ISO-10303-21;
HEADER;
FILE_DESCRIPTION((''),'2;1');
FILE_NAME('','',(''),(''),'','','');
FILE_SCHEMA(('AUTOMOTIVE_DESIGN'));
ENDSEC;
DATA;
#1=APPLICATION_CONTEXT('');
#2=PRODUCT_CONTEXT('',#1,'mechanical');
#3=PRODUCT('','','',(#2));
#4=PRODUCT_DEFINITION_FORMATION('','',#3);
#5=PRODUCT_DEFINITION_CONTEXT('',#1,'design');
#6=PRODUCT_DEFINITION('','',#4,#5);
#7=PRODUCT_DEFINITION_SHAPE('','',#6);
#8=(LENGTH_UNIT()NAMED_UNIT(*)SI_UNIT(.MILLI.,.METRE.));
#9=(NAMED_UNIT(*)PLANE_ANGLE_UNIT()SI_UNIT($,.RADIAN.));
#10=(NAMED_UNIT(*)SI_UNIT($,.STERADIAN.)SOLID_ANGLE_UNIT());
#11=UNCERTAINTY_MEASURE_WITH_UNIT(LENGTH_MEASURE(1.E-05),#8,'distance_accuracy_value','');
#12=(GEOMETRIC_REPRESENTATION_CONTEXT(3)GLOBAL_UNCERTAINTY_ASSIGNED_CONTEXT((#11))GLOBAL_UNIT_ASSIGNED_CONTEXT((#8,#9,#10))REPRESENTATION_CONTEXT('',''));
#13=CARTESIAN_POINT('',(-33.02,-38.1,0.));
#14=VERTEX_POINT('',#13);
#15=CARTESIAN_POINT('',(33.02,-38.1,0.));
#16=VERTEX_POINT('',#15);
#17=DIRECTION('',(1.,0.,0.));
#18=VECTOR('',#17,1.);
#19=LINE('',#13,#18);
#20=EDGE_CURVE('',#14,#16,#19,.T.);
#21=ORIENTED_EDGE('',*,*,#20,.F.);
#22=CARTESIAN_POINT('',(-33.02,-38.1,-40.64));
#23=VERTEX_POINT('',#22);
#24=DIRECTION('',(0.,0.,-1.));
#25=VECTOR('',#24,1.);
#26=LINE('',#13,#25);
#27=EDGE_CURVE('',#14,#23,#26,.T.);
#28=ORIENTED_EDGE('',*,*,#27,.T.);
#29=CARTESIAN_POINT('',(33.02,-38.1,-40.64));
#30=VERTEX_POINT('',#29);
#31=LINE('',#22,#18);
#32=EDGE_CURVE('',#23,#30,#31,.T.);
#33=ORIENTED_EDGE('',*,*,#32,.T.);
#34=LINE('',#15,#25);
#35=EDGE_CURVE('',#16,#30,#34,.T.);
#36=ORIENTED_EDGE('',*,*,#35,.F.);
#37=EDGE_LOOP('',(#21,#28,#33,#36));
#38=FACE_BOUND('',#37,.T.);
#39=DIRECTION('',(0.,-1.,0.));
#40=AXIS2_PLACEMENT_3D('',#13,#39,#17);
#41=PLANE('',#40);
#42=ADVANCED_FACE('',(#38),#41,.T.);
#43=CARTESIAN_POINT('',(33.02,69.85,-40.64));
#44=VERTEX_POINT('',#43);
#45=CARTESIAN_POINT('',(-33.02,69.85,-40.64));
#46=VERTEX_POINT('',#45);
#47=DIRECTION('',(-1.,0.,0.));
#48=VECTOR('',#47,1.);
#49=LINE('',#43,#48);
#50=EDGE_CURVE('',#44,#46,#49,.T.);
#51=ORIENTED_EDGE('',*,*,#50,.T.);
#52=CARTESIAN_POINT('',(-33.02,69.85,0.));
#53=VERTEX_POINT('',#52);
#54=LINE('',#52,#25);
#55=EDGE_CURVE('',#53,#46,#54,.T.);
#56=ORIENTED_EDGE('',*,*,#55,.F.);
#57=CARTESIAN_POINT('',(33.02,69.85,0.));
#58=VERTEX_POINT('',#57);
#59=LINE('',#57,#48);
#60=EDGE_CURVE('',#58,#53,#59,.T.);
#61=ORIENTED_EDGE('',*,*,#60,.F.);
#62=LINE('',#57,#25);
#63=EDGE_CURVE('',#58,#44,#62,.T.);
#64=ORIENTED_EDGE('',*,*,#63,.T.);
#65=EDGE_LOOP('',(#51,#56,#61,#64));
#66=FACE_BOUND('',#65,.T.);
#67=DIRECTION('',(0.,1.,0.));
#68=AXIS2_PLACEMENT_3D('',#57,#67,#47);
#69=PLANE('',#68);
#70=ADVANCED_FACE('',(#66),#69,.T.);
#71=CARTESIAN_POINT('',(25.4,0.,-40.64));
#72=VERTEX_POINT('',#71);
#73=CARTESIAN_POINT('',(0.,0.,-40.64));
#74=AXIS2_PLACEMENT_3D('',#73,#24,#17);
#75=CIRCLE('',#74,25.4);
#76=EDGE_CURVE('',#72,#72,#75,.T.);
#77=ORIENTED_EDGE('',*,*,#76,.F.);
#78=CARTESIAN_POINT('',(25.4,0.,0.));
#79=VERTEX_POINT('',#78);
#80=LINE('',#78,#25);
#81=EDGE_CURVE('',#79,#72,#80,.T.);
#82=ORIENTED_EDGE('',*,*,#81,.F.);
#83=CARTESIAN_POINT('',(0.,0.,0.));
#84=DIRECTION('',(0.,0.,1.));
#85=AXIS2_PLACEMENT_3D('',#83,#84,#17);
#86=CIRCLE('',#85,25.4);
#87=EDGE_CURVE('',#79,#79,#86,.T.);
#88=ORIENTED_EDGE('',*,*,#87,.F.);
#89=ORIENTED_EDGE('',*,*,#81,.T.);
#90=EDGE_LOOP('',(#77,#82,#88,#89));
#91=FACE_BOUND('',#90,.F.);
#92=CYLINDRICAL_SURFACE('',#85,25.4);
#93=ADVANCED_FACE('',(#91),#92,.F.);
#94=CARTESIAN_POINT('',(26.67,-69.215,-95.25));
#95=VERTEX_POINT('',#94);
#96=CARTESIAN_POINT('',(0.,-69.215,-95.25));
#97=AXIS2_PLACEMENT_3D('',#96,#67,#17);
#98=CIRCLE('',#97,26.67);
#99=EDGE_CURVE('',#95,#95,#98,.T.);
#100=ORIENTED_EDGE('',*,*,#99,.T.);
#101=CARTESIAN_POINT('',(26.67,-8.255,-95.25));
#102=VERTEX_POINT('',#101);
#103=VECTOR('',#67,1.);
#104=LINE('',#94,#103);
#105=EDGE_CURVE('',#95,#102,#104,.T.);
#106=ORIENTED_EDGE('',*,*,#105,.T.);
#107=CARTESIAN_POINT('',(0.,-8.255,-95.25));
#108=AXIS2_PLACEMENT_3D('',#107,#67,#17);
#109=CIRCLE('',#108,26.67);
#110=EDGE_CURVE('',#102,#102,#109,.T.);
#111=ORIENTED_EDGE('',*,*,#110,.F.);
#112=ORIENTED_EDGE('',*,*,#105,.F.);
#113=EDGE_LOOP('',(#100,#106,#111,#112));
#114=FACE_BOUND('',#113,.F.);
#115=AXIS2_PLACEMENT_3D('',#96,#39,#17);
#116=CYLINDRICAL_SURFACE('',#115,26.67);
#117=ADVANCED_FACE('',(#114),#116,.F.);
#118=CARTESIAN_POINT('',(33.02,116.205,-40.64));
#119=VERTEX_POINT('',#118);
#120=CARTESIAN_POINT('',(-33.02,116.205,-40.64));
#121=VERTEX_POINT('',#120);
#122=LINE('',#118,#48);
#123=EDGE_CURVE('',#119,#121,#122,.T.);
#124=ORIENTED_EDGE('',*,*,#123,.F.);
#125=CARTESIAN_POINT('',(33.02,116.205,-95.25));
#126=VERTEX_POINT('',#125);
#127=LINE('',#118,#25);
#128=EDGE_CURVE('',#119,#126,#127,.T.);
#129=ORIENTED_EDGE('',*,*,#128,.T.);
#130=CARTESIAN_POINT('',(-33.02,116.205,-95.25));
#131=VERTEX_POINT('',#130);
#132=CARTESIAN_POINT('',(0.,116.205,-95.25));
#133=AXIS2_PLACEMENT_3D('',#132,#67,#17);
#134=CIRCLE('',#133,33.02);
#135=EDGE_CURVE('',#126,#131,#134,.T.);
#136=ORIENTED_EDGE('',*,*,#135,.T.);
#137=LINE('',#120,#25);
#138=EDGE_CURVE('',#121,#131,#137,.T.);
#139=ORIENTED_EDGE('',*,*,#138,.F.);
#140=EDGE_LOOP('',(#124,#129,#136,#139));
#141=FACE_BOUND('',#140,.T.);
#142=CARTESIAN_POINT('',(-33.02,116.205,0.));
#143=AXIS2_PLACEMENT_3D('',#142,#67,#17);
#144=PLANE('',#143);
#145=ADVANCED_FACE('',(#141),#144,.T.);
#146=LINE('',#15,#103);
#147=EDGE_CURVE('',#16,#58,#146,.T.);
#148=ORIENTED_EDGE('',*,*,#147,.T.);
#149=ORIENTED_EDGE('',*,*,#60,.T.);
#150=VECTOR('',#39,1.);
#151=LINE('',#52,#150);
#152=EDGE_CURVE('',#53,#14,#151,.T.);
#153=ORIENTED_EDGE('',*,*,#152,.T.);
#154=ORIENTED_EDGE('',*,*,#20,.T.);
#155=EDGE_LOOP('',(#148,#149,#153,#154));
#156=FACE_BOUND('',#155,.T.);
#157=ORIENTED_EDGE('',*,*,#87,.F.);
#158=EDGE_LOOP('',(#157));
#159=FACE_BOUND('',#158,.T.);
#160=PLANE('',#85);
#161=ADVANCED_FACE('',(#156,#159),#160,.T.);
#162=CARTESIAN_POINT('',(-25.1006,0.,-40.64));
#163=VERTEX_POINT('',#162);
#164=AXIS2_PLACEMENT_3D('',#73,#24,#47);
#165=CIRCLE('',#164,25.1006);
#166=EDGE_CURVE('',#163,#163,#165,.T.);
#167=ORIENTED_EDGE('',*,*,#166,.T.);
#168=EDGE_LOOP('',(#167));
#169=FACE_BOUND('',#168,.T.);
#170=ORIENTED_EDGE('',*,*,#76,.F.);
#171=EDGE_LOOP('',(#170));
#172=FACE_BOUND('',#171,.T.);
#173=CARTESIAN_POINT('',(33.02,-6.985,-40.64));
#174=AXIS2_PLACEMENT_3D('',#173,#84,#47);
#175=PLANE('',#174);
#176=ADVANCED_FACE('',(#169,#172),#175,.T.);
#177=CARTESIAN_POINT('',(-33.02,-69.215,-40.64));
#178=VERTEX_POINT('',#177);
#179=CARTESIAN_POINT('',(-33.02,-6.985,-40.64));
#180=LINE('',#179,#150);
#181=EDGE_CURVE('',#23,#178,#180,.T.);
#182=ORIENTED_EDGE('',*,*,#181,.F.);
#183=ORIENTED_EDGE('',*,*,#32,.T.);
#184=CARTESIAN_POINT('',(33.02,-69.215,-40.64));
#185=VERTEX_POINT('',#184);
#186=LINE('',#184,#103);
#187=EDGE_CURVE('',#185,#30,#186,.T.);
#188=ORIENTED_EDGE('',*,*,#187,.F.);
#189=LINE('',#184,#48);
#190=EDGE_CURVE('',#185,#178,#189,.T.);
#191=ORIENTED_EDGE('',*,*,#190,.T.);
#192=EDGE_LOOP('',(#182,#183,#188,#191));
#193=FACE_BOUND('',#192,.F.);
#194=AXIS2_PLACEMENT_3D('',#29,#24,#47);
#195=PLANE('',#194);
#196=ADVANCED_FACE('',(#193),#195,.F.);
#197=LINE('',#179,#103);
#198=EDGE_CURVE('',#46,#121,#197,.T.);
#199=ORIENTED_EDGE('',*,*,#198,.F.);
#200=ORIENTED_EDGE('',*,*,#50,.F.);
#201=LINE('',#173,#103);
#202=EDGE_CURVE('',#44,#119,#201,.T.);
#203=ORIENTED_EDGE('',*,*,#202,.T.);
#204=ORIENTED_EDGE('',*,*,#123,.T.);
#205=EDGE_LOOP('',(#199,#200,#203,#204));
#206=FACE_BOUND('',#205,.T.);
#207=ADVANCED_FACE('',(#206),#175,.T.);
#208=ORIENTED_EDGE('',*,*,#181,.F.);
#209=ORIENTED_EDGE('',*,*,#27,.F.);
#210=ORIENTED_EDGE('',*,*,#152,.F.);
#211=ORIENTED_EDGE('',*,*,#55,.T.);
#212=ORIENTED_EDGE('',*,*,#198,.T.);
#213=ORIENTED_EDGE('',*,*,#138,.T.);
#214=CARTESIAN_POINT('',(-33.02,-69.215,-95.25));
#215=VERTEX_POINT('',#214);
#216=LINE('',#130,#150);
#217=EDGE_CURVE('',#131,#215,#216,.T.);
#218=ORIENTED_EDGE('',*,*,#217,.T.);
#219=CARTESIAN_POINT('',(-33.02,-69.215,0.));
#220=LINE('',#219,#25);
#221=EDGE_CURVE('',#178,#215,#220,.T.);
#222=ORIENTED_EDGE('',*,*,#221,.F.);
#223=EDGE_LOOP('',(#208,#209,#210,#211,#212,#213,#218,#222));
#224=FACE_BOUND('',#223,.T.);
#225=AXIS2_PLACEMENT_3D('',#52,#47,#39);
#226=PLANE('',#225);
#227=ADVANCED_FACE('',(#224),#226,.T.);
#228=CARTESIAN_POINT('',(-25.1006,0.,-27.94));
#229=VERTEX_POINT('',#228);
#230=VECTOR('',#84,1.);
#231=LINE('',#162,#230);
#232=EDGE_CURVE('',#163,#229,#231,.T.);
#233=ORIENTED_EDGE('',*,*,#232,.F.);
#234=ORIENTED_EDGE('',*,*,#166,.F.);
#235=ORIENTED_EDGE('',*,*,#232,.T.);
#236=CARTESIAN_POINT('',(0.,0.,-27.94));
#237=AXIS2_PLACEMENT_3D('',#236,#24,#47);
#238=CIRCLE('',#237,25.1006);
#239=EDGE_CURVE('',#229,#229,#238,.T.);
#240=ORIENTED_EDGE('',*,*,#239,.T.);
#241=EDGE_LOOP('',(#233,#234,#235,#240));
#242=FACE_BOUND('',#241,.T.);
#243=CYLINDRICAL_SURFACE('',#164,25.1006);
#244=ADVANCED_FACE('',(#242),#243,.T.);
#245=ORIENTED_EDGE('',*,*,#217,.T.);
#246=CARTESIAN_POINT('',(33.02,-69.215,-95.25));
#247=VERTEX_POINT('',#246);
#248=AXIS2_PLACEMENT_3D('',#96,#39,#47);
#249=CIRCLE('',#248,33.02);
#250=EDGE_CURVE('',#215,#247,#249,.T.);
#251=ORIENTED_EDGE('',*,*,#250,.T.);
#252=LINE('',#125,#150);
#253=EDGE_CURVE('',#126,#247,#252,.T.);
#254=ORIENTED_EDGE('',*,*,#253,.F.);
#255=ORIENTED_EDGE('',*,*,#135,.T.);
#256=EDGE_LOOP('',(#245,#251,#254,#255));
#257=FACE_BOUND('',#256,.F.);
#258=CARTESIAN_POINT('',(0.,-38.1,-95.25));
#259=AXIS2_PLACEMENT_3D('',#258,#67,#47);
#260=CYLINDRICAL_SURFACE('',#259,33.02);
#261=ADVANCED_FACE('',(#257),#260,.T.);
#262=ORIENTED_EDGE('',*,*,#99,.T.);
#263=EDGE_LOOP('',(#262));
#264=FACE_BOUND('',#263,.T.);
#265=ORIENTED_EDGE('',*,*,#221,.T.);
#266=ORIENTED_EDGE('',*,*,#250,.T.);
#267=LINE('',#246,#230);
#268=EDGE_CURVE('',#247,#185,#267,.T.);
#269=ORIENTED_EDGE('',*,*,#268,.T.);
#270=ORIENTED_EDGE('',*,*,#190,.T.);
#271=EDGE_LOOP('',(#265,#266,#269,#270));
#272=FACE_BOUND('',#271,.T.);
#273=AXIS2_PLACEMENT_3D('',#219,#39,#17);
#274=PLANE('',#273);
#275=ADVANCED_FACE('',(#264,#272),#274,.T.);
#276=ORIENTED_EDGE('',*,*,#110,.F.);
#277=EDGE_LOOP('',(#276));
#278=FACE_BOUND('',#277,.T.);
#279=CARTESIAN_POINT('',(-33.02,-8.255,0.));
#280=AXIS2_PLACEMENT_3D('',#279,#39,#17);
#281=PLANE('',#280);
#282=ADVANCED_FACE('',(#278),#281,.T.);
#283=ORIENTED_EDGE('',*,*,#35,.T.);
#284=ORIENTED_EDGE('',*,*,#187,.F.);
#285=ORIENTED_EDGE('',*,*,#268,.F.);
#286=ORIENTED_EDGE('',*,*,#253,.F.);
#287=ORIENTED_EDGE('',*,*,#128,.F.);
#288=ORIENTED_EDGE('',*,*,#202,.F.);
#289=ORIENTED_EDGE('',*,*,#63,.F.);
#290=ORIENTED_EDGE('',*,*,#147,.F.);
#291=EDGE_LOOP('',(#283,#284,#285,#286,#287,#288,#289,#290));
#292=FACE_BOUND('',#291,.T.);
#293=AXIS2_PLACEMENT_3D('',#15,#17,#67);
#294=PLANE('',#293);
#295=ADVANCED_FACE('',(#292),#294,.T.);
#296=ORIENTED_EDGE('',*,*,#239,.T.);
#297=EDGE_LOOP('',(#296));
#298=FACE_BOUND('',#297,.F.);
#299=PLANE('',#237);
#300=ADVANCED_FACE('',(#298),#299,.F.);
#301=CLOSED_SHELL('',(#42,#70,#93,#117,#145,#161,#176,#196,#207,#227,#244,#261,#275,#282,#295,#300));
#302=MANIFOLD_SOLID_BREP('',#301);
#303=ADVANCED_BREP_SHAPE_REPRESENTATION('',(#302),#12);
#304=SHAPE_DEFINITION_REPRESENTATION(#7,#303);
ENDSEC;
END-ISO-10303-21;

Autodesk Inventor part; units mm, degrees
ref_plane "YZ Plane" through (0, 0, 0) normal (1, 0, 0) x (0, 1, 0)
ref_plane "XZ Plane" through (0, 0, 0) normal (0, 1, 0) x (-1, 0, 0)
ref_plane "XY Plane" through (0, 0, 0) normal (0, 0, 1) x (1, 0, 0)
sketch "Sketch1" plane through (0, 0, 0) normal (0, 0, 1) x (1, 0, 0)
  circle A0 centre (0, 0) radius 25.4
  line L0 (-33.02, -38.1) -> (33.02, -38.1)
  line L1 (33.02, -38.1) -> (33.02, 69.85)
  line L2 (33.02, 69.85) -> (-33.02, 69.85)
  line L3 (-33.02, 69.85) -> (-33.02, -38.1)
  dimension "d0" = 50.8
  dimension "d1" = 66.04
  dimension "d2" = 107.95
  dimension "d3" = 33.02
  dimension "d4" = 38.1
extrude "Extrusion1" add sketch "Sketch1" against normal blind 40.64
sketch "Sketch2" plane through (0, 0, -40.64) normal (0, 0, -1) x (-1, 0, 0)
  circle A0 centre (0, 0) radius 25.1006
extrude "Extrusion2" add sketch "Sketch2" against normal blind 12.7
sketch "Sketch3" plane through (-33.02, -38.1, 0) normal (0, -1, 0) x (1, 0, 0)
  line L0 (0, 0) -> (66.04, 0) projected
  line L1 (66.04, 0) -> (0, 0)
  line L2 (0, 0) -> (0, -95.25)
  line L3 (0, -95.25) -> (66.04, -95.25)
  line L4 (66.04, -95.25) -> (66.04, 0)
  line L5 (66.04, -40.64) -> (0, -40.64)
  arc A0 (0, -95.25) -> (66.04, -95.25) centre (33.02, -95.25) ccw
  line L6 (0, -40.64) -> (66.04, -40.64) projected
  line L7 (0, -40.64) -> (66.04, -40.64)
  line L8 (66.04, -40.64) -> (66.04, -95.25)
  line L9 (66.04, -95.25) -> (0, -95.25)
  line L10 (0, -95.25) -> (0, -40.64)
  point P0 (33.02, 0)
  dimension "d9" = 54.61
extrude "Extrusion3" add sketch "Sketch3" along normal mid plane 62.23 contours L5 L4 L3 L2 | L3 A0
sketch "Sketch4" plane through (-33.02, -38.1, 0) normal (0, -1, 0) x (1, 0, 0)
  point P0 (33.02, 0)
sketch "Sketch5" plane through (-33.02, -6.985, 0) normal (0, 1, 0) x (1, 0, 0)
  arc A0 (66.04, 95.25) -> (0, 95.25) centre (33.02, 95.25) ccw projected
  line L0 (66.04, 40.64) -> (66.04, 95.25) projected
  line L1 (0, 95.25) -> (66.04, 95.25)
  line L2 (66.04, 95.25) -> (66.04, 40.64)
  line L3 (66.04, 40.64) -> (0, 40.64)
  line L4 (0, 40.64) -> (0, 95.25)
  arc A1 (66.04, 95.25) -> (0, 95.25) centre (33.02, 95.25) ccw
  point P0 (33.02, 0)
extrude "Extrusion4" add sketch "Sketch5" along normal blind 123.19
sketch "Sketch6" plane through (-33.02, -69.215, 0) normal (0, -1, 0) x (1, 0, 0)
  arc A0 (0, -95.25) -> (66.04, -95.25) centre (33.02, -95.25) ccw projected
  line L0 (0, -95.25) -> (33.02, -95.25)
  circle A1 centre (33.02, -95.25) radius 26.67
  point P0 (33.02, 0)
  dimension "d16" = 53.34
extrude "Extrusion5" cut sketch "Sketch6" against normal blind 60.96
equation "\"d3\" = 0.5 * d1"
properties part number "Wrist1-lrg"
